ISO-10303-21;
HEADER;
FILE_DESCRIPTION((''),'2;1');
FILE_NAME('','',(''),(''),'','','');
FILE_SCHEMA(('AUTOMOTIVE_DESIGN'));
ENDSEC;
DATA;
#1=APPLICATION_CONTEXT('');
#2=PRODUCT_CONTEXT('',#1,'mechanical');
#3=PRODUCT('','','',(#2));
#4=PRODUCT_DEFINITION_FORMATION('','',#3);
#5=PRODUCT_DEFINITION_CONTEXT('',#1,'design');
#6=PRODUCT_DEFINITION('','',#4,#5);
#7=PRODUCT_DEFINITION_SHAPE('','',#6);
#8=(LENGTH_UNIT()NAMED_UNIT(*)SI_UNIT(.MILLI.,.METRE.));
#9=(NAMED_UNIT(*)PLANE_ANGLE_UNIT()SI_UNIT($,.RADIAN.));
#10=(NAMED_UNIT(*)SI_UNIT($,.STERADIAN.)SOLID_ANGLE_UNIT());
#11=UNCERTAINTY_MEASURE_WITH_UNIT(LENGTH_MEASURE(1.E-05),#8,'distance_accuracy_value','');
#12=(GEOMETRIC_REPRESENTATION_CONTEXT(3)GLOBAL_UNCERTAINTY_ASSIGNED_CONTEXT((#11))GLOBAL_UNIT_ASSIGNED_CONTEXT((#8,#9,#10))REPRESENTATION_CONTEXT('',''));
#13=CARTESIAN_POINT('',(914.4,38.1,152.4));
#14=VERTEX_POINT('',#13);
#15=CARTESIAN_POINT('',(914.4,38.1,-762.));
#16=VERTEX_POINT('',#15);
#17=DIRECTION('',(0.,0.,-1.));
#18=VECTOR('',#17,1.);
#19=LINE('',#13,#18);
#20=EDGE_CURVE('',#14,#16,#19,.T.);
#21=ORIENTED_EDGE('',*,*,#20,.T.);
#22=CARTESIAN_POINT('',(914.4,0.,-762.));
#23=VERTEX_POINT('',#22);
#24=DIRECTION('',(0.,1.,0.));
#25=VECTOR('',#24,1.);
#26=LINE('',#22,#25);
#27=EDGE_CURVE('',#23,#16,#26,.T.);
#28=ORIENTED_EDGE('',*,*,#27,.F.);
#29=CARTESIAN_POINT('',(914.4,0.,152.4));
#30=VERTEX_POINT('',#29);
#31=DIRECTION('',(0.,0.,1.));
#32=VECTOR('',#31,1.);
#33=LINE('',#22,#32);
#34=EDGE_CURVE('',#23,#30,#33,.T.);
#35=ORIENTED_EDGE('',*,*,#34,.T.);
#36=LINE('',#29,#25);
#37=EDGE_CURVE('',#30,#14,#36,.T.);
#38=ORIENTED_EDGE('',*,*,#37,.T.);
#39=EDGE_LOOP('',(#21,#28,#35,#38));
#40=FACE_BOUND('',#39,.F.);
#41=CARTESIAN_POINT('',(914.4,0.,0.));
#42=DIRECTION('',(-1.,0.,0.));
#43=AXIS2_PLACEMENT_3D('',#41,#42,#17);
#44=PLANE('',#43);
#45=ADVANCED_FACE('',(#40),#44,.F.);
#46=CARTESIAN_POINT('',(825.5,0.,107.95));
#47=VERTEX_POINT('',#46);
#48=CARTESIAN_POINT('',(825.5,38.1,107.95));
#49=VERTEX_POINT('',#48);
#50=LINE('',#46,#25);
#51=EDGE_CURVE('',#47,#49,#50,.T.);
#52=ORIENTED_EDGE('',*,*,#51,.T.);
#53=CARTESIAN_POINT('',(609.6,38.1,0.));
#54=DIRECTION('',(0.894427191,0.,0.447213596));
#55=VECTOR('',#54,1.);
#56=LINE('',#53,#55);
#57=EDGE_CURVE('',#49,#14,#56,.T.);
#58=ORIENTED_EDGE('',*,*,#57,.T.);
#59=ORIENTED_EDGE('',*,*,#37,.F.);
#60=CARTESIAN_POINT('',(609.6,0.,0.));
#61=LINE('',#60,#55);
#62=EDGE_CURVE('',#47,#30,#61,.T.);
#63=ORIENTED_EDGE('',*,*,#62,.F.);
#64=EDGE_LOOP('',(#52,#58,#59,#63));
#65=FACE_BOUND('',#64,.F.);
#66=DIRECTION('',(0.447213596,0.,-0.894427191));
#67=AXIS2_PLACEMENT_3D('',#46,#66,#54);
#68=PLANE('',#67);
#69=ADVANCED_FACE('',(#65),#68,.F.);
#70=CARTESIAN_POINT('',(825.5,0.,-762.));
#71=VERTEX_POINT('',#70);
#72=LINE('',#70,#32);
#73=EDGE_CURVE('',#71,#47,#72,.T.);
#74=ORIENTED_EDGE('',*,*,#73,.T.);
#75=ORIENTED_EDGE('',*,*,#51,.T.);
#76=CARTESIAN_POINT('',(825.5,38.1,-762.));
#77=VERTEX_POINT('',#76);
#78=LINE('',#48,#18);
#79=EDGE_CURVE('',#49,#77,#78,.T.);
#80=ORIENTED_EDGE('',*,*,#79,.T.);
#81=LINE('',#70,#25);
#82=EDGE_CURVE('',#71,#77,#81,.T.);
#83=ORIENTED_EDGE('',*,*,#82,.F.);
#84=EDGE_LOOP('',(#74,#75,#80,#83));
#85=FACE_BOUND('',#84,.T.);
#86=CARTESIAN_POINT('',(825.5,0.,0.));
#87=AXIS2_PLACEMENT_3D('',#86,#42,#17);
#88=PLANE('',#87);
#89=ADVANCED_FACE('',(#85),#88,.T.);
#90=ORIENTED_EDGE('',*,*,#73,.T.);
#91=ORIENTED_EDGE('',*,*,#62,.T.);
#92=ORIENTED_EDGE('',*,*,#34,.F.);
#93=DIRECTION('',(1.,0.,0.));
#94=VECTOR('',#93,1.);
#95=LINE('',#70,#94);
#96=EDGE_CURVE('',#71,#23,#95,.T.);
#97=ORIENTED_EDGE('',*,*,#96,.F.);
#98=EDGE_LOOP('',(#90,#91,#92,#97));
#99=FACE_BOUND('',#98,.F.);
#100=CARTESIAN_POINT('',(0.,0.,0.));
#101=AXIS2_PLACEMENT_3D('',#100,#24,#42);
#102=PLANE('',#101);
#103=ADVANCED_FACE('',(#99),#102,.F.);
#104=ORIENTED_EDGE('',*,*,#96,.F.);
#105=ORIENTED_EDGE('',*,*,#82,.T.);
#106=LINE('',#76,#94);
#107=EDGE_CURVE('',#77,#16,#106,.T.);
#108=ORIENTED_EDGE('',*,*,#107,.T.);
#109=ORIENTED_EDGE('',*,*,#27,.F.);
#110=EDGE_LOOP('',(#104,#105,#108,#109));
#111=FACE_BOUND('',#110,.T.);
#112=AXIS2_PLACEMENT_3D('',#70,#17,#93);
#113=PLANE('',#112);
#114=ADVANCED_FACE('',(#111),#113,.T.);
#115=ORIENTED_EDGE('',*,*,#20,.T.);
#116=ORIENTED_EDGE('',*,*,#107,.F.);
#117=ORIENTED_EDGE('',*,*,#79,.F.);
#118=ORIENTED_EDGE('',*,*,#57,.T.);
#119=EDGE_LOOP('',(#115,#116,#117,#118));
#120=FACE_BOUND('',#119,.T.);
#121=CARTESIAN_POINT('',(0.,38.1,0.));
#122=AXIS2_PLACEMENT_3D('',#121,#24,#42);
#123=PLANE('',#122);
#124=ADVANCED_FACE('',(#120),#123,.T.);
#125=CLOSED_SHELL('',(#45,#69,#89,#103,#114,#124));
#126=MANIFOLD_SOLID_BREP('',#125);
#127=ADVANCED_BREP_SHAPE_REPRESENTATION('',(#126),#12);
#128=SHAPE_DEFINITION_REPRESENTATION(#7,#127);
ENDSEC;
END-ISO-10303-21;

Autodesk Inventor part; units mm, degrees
ref_plane "YZ Plane" through (0, 0, 0) normal (1, 0, 0) x (0, 1, 0)
ref_plane "XZ Plane" through (0, 0, 0) normal (0, 1, 0) x (-1, 0, 0)
ref_plane "XY Plane" through (0, 0, 0) normal (0, 0, 1) x (1, 0, 0)
sketch "Sketch1" plane through (0, 0, 0) normal (0, 1, 0) x (-1, 0, 0)
  line L0 (0, 0) -> (-914.4, 0)
  line L1 (-914.4, 0) -> (-914.4, -762)
  line L2 (-914.4, 0) -> (-914.4, 152.4)
  line L3 (0, 0) -> (0, 304.8)
  line L4 (0, 0) -> (-609.6, 0)
  line L5 (-609.6, 0) -> (0, 304.8)
  line L6 (-609.6, 0) -> (-914.4, 152.4)
  line L7 (-914.4, 152.4) -> (-825.5, 152.4)
  line L8 (-825.5, 152.4) -> (-825.5, 0)
  line L9 (-825.5, 0) -> (-825.5, -762)
  line L10 (-825.5, -762) -> (-914.4, -762)
  point P0 (-825.5, 107.95)
  dimension "d0" = 914.4
  dimension "d1" = 762
  dimension "d2" = 152.4
  dimension "d3" = 304.8
  dimension "d4" = 609.6
  dimension "d5" = 88.9
extrude "Extrusion1" add sketch "Sketch1" along normal blind 38.1 contours L9 L10 L1 L0 | L0 L2 L6 L8
properties part number "S_2x4x36"
